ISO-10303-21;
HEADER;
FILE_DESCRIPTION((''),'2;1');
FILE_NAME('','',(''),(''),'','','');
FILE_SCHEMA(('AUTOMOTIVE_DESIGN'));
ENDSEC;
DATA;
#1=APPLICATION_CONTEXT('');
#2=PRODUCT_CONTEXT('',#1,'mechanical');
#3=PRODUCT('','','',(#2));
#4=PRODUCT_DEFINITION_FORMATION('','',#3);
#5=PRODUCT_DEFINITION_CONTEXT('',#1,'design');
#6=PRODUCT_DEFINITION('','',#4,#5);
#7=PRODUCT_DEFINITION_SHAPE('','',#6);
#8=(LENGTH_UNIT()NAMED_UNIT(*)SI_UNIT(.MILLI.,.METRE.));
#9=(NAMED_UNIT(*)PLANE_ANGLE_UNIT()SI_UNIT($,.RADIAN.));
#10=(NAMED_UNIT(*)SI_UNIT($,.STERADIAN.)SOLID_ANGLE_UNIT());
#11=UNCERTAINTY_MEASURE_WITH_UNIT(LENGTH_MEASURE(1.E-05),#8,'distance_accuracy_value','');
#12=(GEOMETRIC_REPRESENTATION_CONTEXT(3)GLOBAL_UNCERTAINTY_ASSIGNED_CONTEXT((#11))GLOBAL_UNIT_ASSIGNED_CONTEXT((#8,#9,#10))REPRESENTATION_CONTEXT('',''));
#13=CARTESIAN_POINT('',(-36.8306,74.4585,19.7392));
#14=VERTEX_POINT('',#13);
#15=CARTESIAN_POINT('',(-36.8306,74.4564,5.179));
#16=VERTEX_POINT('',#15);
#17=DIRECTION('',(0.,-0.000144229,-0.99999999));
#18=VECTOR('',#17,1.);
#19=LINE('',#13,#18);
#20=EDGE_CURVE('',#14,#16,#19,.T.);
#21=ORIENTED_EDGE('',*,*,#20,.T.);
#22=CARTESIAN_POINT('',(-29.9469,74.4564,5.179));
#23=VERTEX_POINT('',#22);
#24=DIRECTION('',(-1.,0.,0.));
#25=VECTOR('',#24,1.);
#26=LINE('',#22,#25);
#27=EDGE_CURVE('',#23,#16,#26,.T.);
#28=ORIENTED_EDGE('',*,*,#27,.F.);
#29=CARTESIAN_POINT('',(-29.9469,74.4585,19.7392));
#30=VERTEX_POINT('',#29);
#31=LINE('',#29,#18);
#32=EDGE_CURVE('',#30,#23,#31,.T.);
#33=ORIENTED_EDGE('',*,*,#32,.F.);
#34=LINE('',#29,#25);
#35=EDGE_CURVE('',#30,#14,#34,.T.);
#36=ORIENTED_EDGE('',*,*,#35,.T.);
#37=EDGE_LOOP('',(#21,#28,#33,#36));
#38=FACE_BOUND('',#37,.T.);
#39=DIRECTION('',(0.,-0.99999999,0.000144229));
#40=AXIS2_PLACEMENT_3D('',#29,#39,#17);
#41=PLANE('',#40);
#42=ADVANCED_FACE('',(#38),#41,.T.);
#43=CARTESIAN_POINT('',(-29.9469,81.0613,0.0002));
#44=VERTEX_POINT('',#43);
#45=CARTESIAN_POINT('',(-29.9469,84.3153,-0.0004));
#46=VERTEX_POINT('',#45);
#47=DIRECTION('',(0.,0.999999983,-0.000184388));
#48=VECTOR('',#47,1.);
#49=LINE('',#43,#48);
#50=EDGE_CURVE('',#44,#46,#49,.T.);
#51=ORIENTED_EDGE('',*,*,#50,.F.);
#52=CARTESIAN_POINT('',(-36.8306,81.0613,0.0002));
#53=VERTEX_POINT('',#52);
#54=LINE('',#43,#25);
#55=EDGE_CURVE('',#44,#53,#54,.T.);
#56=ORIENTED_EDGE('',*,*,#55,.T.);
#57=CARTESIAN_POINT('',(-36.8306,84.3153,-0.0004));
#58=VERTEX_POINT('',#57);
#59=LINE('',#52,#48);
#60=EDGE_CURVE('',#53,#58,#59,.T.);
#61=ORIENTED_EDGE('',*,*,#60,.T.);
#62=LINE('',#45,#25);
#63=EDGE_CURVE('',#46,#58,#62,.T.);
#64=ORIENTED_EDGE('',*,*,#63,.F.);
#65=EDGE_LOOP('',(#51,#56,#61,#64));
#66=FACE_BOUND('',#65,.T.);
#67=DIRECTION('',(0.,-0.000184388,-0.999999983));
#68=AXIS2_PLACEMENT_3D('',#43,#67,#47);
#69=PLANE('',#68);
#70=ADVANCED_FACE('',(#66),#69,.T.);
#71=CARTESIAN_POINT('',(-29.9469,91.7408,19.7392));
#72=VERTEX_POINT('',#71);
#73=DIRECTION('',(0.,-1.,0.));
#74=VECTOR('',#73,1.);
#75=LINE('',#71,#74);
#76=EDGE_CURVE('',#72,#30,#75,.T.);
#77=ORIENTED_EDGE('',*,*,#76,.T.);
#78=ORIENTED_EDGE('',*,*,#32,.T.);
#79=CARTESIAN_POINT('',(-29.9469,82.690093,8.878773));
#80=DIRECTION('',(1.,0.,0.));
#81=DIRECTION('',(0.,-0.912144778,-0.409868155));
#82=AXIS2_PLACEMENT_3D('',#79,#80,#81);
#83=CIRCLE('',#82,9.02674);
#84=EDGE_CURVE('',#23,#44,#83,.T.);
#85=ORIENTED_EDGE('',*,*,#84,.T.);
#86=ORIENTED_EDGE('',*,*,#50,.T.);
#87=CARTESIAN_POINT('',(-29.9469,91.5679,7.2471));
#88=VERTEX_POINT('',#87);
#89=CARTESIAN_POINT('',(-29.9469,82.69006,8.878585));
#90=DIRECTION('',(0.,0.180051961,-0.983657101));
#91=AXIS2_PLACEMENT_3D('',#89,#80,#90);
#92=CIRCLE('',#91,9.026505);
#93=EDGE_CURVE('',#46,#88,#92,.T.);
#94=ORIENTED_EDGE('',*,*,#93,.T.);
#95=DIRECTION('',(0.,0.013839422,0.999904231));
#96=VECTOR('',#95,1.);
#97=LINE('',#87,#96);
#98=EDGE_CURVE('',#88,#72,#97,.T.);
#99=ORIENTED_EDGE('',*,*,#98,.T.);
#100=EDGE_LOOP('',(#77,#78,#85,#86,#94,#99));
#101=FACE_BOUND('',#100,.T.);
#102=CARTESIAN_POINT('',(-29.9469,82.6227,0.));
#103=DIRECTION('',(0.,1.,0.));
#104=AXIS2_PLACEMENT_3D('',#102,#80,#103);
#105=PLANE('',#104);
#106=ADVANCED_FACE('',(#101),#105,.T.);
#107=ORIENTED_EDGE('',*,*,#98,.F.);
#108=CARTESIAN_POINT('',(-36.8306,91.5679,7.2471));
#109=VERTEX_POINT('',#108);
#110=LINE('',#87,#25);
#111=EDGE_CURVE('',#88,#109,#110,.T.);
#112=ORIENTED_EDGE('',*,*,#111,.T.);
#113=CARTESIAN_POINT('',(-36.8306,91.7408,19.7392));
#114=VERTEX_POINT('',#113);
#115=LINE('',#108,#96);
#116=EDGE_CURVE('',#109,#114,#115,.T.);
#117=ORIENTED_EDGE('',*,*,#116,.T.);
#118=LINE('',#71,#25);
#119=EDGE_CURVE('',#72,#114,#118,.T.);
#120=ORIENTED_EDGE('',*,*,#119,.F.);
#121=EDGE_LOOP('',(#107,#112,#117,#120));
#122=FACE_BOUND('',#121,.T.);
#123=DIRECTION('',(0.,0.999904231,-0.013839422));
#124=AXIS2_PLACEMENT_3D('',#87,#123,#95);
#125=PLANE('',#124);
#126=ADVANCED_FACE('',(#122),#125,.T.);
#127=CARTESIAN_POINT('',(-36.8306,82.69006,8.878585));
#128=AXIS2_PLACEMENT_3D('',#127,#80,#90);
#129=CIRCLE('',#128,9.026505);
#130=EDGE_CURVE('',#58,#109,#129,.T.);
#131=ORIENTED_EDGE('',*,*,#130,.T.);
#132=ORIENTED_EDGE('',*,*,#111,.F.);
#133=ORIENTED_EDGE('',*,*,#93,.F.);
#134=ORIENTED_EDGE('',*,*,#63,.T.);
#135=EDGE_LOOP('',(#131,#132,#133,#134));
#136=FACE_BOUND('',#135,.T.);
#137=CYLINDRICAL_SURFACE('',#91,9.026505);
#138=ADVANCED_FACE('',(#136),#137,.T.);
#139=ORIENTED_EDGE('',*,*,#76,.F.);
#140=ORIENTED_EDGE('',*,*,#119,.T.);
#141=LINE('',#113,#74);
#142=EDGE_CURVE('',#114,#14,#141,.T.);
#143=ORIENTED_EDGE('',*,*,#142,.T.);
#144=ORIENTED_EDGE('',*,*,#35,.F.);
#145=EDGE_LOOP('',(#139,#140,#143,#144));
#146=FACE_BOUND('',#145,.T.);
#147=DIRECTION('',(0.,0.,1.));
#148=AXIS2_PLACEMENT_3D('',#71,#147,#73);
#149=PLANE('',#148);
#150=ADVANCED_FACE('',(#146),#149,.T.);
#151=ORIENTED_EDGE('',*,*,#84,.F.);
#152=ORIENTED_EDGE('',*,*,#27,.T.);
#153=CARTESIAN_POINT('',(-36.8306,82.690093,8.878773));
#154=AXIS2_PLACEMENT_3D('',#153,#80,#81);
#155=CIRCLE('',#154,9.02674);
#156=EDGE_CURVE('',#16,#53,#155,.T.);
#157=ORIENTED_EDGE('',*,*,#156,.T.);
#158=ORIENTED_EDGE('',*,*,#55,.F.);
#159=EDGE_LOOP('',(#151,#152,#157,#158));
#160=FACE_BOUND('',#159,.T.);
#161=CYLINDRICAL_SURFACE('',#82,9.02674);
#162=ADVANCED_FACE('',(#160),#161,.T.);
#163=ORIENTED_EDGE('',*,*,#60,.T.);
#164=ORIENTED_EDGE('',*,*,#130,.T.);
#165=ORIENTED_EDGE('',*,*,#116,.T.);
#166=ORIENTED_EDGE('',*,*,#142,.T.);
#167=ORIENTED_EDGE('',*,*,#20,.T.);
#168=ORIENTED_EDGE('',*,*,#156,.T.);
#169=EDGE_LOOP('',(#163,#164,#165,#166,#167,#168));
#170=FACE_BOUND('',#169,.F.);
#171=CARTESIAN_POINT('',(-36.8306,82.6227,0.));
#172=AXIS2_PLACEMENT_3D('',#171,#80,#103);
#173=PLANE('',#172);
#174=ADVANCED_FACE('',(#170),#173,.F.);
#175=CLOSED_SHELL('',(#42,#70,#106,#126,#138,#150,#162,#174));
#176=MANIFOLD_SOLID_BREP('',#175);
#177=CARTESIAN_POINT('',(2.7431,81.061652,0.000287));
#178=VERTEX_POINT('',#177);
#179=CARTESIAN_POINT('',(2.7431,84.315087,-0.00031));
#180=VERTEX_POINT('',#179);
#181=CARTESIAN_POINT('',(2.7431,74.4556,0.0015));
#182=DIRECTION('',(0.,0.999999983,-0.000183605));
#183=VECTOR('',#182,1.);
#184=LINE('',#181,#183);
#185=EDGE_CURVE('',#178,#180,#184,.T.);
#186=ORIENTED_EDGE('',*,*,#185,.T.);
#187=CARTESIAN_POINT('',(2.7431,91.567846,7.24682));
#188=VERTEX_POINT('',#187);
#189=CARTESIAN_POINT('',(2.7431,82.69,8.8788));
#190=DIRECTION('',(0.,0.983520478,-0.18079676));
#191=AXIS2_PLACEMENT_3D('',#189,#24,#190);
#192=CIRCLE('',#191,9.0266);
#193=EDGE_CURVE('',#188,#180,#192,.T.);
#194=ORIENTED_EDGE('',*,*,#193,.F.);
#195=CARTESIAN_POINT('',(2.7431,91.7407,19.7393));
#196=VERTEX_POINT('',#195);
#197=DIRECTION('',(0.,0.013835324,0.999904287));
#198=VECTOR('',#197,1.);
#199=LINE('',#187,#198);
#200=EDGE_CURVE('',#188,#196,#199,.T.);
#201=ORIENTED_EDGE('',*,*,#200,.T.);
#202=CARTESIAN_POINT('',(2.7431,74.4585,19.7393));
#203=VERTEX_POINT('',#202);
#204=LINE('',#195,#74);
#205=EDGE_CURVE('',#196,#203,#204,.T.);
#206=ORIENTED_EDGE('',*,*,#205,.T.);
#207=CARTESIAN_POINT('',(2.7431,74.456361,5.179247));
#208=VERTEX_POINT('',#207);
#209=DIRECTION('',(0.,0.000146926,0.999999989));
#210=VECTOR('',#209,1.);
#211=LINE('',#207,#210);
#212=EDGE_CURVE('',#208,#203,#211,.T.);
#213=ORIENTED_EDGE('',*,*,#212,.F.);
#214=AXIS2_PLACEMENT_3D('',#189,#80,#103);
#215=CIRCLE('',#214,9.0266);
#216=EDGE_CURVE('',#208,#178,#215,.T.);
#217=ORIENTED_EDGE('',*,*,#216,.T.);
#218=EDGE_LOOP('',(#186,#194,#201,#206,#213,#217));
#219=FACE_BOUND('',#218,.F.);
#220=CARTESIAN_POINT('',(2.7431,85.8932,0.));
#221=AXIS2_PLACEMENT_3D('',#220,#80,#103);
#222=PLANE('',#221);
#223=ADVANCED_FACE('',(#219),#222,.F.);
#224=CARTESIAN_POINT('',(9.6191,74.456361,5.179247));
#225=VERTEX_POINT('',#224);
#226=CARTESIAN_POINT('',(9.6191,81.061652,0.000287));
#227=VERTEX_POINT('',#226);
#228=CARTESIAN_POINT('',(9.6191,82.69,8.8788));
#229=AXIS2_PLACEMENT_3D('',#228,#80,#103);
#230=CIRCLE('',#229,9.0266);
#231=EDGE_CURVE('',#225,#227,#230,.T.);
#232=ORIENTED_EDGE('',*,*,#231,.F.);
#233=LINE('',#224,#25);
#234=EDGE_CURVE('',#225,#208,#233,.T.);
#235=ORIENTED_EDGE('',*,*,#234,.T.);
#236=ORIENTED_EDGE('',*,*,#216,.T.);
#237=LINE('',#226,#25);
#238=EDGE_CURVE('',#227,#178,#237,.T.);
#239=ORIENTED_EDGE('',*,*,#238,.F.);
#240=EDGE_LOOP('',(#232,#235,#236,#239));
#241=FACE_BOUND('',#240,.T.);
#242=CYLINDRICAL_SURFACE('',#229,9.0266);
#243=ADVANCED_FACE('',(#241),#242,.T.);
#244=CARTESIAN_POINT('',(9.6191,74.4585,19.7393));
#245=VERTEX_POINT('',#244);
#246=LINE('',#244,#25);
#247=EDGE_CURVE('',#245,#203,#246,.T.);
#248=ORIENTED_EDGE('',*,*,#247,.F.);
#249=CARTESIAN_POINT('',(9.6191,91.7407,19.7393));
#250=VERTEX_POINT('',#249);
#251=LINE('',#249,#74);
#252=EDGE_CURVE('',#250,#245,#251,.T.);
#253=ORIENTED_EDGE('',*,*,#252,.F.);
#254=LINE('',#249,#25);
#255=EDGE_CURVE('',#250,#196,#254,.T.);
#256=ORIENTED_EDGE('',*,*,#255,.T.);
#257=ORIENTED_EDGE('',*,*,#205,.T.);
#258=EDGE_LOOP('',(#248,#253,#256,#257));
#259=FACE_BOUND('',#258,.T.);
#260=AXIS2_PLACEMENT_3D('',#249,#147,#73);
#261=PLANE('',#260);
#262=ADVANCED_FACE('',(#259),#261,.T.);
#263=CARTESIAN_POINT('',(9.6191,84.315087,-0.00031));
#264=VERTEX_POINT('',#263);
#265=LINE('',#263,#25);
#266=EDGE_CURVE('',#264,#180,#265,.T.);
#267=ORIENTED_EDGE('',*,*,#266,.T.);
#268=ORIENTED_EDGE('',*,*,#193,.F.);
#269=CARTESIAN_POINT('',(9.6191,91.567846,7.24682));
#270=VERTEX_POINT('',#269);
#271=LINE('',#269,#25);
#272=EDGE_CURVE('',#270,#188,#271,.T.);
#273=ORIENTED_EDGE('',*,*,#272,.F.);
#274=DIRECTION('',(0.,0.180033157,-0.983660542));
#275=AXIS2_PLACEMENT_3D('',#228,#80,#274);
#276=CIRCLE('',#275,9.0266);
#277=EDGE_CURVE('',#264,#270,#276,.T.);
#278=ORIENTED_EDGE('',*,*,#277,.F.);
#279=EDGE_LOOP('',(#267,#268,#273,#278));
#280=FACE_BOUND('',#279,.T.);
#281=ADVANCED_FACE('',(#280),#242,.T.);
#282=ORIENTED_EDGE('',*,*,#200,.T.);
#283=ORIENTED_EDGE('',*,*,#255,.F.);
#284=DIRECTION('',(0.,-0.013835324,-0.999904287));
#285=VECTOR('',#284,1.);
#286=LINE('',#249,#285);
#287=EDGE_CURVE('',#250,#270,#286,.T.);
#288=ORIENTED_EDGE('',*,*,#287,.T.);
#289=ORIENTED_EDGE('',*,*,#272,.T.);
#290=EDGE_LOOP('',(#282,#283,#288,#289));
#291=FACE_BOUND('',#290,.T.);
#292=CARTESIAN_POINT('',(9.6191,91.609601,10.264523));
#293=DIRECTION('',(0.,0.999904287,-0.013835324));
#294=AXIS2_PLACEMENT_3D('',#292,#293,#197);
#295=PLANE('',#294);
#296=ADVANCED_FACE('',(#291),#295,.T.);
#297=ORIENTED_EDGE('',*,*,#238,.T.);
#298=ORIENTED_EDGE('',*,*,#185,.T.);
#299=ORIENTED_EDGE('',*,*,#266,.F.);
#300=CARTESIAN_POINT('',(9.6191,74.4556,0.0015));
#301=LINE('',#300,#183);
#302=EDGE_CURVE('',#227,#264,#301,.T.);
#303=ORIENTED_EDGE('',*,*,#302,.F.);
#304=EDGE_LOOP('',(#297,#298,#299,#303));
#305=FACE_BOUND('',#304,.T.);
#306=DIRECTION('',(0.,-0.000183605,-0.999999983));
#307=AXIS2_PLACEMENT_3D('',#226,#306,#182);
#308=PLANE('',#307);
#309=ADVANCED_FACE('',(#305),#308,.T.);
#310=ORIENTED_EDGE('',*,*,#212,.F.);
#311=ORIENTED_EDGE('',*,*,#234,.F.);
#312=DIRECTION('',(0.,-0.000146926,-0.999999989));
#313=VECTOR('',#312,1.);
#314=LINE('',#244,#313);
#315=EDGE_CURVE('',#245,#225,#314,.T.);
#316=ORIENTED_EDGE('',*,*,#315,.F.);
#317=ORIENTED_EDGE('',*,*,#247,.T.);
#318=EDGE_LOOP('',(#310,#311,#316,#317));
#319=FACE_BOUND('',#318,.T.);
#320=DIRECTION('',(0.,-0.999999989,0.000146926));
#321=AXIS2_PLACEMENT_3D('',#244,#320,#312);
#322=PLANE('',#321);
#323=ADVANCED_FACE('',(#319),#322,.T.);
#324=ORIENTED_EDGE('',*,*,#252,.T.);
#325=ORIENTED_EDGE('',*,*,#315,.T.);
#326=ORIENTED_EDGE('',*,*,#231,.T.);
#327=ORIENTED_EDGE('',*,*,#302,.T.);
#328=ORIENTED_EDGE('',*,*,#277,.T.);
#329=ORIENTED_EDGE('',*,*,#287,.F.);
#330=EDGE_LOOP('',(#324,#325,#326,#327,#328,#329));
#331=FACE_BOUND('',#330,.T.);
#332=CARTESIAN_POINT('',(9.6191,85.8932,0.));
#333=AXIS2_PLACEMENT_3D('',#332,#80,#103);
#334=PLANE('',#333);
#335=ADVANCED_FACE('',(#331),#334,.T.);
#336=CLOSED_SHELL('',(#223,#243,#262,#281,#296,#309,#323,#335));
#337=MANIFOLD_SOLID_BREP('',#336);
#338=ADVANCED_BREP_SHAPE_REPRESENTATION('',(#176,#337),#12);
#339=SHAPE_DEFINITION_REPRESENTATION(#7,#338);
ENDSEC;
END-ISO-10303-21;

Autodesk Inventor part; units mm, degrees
ref_plane "YZ Plane" through (0, 0, 0) normal (1, 0, 0) x (0, 1, 0)
ref_plane "XZ Plane" through (0, 0, 0) normal (0, 1, 0) x (-1, 0, 0)
ref_plane "XY Plane" through (0, 0, 0) normal (0, 0, 1) x (1, 0, 0)
sketch "Sketch2" plane through (9.6191, 85.8932, 0) normal (1, 0, 0) x (0, 1, 0)
  line L0 (5.8475, 19.7393) -> (-11.4347, 19.7393) projected
  line L1 (-11.4347, 19.7393) -> (-11.4376, 0.0015) projected
  line L2 (-11.4365, 0.0015) -> (0, -0.0006) projected
  line L3 (0, 0) -> (1.7975, 1.364) projected
  circle A0 centre (-3.2032, 8.8788) radius 9.0266 projected
  line L4 (5.6735, 7.164) -> (5.8475, 19.7393) projected
  point P0 (-85.8932, 0)
  point P1 (5.6747, 7.2472)
  point P2 (-11.4368, 5.179)
  point P3 (-4.8319, 0.0003)
  point P4 (-1.5779, -0.0003)
sketch "Sketch3" plane through (-29.9469, 82.6227, 0) normal (1, 0, 0) x (0, 1, 0)
  line L0 (9.1181, 19.7392) -> (-8.1642, 19.7392) projected
  line L1 (-8.1642, 19.7392) -> (-8.1663, 5.179) projected
  arc A0 (-8.1663, 5.179) -> (-1.5614, 0.0002) centre (0.0673, 8.8787) ccw projected
  line L2 (-1.5614, 0.0002) -> (1.6926, -0.0004) projected
  arc A1 (1.6926, -0.0004) -> (8.9452, 7.2471) centre (0.0673, 8.8787) ccw projected
  line L3 (8.9452, 7.2471) -> (9.1181, 19.7392) projected
  point P0 (-82.6227, 0)
ref_plane "Work Plane1" through (-36.8289, 82.6227, 19.7393) normal (-1, -0.0002, 0.0001) x (0.0002, -1, 0)
ref_plane "Work Plane2" through (2.7431, 81.7427, 6.6) normal (-1, 0, 0) x (0, -1, 0)
extrude "Extrusion3" add sketch "Sketch2" against normal up to surface (6.876 mm away) contours L4 A0 L1 L0 | L4 A0 L2 L1
extrude "Extrusion4" add sketch "Sketch3" against normal up to surface (6.8837 mm away)
ref_plane "Work Plane3" through (-19.9469, 82.6227, 0) normal (1, 0, 0) x (0, 0, -1)
properties part number "i2_WristLargeV2"
